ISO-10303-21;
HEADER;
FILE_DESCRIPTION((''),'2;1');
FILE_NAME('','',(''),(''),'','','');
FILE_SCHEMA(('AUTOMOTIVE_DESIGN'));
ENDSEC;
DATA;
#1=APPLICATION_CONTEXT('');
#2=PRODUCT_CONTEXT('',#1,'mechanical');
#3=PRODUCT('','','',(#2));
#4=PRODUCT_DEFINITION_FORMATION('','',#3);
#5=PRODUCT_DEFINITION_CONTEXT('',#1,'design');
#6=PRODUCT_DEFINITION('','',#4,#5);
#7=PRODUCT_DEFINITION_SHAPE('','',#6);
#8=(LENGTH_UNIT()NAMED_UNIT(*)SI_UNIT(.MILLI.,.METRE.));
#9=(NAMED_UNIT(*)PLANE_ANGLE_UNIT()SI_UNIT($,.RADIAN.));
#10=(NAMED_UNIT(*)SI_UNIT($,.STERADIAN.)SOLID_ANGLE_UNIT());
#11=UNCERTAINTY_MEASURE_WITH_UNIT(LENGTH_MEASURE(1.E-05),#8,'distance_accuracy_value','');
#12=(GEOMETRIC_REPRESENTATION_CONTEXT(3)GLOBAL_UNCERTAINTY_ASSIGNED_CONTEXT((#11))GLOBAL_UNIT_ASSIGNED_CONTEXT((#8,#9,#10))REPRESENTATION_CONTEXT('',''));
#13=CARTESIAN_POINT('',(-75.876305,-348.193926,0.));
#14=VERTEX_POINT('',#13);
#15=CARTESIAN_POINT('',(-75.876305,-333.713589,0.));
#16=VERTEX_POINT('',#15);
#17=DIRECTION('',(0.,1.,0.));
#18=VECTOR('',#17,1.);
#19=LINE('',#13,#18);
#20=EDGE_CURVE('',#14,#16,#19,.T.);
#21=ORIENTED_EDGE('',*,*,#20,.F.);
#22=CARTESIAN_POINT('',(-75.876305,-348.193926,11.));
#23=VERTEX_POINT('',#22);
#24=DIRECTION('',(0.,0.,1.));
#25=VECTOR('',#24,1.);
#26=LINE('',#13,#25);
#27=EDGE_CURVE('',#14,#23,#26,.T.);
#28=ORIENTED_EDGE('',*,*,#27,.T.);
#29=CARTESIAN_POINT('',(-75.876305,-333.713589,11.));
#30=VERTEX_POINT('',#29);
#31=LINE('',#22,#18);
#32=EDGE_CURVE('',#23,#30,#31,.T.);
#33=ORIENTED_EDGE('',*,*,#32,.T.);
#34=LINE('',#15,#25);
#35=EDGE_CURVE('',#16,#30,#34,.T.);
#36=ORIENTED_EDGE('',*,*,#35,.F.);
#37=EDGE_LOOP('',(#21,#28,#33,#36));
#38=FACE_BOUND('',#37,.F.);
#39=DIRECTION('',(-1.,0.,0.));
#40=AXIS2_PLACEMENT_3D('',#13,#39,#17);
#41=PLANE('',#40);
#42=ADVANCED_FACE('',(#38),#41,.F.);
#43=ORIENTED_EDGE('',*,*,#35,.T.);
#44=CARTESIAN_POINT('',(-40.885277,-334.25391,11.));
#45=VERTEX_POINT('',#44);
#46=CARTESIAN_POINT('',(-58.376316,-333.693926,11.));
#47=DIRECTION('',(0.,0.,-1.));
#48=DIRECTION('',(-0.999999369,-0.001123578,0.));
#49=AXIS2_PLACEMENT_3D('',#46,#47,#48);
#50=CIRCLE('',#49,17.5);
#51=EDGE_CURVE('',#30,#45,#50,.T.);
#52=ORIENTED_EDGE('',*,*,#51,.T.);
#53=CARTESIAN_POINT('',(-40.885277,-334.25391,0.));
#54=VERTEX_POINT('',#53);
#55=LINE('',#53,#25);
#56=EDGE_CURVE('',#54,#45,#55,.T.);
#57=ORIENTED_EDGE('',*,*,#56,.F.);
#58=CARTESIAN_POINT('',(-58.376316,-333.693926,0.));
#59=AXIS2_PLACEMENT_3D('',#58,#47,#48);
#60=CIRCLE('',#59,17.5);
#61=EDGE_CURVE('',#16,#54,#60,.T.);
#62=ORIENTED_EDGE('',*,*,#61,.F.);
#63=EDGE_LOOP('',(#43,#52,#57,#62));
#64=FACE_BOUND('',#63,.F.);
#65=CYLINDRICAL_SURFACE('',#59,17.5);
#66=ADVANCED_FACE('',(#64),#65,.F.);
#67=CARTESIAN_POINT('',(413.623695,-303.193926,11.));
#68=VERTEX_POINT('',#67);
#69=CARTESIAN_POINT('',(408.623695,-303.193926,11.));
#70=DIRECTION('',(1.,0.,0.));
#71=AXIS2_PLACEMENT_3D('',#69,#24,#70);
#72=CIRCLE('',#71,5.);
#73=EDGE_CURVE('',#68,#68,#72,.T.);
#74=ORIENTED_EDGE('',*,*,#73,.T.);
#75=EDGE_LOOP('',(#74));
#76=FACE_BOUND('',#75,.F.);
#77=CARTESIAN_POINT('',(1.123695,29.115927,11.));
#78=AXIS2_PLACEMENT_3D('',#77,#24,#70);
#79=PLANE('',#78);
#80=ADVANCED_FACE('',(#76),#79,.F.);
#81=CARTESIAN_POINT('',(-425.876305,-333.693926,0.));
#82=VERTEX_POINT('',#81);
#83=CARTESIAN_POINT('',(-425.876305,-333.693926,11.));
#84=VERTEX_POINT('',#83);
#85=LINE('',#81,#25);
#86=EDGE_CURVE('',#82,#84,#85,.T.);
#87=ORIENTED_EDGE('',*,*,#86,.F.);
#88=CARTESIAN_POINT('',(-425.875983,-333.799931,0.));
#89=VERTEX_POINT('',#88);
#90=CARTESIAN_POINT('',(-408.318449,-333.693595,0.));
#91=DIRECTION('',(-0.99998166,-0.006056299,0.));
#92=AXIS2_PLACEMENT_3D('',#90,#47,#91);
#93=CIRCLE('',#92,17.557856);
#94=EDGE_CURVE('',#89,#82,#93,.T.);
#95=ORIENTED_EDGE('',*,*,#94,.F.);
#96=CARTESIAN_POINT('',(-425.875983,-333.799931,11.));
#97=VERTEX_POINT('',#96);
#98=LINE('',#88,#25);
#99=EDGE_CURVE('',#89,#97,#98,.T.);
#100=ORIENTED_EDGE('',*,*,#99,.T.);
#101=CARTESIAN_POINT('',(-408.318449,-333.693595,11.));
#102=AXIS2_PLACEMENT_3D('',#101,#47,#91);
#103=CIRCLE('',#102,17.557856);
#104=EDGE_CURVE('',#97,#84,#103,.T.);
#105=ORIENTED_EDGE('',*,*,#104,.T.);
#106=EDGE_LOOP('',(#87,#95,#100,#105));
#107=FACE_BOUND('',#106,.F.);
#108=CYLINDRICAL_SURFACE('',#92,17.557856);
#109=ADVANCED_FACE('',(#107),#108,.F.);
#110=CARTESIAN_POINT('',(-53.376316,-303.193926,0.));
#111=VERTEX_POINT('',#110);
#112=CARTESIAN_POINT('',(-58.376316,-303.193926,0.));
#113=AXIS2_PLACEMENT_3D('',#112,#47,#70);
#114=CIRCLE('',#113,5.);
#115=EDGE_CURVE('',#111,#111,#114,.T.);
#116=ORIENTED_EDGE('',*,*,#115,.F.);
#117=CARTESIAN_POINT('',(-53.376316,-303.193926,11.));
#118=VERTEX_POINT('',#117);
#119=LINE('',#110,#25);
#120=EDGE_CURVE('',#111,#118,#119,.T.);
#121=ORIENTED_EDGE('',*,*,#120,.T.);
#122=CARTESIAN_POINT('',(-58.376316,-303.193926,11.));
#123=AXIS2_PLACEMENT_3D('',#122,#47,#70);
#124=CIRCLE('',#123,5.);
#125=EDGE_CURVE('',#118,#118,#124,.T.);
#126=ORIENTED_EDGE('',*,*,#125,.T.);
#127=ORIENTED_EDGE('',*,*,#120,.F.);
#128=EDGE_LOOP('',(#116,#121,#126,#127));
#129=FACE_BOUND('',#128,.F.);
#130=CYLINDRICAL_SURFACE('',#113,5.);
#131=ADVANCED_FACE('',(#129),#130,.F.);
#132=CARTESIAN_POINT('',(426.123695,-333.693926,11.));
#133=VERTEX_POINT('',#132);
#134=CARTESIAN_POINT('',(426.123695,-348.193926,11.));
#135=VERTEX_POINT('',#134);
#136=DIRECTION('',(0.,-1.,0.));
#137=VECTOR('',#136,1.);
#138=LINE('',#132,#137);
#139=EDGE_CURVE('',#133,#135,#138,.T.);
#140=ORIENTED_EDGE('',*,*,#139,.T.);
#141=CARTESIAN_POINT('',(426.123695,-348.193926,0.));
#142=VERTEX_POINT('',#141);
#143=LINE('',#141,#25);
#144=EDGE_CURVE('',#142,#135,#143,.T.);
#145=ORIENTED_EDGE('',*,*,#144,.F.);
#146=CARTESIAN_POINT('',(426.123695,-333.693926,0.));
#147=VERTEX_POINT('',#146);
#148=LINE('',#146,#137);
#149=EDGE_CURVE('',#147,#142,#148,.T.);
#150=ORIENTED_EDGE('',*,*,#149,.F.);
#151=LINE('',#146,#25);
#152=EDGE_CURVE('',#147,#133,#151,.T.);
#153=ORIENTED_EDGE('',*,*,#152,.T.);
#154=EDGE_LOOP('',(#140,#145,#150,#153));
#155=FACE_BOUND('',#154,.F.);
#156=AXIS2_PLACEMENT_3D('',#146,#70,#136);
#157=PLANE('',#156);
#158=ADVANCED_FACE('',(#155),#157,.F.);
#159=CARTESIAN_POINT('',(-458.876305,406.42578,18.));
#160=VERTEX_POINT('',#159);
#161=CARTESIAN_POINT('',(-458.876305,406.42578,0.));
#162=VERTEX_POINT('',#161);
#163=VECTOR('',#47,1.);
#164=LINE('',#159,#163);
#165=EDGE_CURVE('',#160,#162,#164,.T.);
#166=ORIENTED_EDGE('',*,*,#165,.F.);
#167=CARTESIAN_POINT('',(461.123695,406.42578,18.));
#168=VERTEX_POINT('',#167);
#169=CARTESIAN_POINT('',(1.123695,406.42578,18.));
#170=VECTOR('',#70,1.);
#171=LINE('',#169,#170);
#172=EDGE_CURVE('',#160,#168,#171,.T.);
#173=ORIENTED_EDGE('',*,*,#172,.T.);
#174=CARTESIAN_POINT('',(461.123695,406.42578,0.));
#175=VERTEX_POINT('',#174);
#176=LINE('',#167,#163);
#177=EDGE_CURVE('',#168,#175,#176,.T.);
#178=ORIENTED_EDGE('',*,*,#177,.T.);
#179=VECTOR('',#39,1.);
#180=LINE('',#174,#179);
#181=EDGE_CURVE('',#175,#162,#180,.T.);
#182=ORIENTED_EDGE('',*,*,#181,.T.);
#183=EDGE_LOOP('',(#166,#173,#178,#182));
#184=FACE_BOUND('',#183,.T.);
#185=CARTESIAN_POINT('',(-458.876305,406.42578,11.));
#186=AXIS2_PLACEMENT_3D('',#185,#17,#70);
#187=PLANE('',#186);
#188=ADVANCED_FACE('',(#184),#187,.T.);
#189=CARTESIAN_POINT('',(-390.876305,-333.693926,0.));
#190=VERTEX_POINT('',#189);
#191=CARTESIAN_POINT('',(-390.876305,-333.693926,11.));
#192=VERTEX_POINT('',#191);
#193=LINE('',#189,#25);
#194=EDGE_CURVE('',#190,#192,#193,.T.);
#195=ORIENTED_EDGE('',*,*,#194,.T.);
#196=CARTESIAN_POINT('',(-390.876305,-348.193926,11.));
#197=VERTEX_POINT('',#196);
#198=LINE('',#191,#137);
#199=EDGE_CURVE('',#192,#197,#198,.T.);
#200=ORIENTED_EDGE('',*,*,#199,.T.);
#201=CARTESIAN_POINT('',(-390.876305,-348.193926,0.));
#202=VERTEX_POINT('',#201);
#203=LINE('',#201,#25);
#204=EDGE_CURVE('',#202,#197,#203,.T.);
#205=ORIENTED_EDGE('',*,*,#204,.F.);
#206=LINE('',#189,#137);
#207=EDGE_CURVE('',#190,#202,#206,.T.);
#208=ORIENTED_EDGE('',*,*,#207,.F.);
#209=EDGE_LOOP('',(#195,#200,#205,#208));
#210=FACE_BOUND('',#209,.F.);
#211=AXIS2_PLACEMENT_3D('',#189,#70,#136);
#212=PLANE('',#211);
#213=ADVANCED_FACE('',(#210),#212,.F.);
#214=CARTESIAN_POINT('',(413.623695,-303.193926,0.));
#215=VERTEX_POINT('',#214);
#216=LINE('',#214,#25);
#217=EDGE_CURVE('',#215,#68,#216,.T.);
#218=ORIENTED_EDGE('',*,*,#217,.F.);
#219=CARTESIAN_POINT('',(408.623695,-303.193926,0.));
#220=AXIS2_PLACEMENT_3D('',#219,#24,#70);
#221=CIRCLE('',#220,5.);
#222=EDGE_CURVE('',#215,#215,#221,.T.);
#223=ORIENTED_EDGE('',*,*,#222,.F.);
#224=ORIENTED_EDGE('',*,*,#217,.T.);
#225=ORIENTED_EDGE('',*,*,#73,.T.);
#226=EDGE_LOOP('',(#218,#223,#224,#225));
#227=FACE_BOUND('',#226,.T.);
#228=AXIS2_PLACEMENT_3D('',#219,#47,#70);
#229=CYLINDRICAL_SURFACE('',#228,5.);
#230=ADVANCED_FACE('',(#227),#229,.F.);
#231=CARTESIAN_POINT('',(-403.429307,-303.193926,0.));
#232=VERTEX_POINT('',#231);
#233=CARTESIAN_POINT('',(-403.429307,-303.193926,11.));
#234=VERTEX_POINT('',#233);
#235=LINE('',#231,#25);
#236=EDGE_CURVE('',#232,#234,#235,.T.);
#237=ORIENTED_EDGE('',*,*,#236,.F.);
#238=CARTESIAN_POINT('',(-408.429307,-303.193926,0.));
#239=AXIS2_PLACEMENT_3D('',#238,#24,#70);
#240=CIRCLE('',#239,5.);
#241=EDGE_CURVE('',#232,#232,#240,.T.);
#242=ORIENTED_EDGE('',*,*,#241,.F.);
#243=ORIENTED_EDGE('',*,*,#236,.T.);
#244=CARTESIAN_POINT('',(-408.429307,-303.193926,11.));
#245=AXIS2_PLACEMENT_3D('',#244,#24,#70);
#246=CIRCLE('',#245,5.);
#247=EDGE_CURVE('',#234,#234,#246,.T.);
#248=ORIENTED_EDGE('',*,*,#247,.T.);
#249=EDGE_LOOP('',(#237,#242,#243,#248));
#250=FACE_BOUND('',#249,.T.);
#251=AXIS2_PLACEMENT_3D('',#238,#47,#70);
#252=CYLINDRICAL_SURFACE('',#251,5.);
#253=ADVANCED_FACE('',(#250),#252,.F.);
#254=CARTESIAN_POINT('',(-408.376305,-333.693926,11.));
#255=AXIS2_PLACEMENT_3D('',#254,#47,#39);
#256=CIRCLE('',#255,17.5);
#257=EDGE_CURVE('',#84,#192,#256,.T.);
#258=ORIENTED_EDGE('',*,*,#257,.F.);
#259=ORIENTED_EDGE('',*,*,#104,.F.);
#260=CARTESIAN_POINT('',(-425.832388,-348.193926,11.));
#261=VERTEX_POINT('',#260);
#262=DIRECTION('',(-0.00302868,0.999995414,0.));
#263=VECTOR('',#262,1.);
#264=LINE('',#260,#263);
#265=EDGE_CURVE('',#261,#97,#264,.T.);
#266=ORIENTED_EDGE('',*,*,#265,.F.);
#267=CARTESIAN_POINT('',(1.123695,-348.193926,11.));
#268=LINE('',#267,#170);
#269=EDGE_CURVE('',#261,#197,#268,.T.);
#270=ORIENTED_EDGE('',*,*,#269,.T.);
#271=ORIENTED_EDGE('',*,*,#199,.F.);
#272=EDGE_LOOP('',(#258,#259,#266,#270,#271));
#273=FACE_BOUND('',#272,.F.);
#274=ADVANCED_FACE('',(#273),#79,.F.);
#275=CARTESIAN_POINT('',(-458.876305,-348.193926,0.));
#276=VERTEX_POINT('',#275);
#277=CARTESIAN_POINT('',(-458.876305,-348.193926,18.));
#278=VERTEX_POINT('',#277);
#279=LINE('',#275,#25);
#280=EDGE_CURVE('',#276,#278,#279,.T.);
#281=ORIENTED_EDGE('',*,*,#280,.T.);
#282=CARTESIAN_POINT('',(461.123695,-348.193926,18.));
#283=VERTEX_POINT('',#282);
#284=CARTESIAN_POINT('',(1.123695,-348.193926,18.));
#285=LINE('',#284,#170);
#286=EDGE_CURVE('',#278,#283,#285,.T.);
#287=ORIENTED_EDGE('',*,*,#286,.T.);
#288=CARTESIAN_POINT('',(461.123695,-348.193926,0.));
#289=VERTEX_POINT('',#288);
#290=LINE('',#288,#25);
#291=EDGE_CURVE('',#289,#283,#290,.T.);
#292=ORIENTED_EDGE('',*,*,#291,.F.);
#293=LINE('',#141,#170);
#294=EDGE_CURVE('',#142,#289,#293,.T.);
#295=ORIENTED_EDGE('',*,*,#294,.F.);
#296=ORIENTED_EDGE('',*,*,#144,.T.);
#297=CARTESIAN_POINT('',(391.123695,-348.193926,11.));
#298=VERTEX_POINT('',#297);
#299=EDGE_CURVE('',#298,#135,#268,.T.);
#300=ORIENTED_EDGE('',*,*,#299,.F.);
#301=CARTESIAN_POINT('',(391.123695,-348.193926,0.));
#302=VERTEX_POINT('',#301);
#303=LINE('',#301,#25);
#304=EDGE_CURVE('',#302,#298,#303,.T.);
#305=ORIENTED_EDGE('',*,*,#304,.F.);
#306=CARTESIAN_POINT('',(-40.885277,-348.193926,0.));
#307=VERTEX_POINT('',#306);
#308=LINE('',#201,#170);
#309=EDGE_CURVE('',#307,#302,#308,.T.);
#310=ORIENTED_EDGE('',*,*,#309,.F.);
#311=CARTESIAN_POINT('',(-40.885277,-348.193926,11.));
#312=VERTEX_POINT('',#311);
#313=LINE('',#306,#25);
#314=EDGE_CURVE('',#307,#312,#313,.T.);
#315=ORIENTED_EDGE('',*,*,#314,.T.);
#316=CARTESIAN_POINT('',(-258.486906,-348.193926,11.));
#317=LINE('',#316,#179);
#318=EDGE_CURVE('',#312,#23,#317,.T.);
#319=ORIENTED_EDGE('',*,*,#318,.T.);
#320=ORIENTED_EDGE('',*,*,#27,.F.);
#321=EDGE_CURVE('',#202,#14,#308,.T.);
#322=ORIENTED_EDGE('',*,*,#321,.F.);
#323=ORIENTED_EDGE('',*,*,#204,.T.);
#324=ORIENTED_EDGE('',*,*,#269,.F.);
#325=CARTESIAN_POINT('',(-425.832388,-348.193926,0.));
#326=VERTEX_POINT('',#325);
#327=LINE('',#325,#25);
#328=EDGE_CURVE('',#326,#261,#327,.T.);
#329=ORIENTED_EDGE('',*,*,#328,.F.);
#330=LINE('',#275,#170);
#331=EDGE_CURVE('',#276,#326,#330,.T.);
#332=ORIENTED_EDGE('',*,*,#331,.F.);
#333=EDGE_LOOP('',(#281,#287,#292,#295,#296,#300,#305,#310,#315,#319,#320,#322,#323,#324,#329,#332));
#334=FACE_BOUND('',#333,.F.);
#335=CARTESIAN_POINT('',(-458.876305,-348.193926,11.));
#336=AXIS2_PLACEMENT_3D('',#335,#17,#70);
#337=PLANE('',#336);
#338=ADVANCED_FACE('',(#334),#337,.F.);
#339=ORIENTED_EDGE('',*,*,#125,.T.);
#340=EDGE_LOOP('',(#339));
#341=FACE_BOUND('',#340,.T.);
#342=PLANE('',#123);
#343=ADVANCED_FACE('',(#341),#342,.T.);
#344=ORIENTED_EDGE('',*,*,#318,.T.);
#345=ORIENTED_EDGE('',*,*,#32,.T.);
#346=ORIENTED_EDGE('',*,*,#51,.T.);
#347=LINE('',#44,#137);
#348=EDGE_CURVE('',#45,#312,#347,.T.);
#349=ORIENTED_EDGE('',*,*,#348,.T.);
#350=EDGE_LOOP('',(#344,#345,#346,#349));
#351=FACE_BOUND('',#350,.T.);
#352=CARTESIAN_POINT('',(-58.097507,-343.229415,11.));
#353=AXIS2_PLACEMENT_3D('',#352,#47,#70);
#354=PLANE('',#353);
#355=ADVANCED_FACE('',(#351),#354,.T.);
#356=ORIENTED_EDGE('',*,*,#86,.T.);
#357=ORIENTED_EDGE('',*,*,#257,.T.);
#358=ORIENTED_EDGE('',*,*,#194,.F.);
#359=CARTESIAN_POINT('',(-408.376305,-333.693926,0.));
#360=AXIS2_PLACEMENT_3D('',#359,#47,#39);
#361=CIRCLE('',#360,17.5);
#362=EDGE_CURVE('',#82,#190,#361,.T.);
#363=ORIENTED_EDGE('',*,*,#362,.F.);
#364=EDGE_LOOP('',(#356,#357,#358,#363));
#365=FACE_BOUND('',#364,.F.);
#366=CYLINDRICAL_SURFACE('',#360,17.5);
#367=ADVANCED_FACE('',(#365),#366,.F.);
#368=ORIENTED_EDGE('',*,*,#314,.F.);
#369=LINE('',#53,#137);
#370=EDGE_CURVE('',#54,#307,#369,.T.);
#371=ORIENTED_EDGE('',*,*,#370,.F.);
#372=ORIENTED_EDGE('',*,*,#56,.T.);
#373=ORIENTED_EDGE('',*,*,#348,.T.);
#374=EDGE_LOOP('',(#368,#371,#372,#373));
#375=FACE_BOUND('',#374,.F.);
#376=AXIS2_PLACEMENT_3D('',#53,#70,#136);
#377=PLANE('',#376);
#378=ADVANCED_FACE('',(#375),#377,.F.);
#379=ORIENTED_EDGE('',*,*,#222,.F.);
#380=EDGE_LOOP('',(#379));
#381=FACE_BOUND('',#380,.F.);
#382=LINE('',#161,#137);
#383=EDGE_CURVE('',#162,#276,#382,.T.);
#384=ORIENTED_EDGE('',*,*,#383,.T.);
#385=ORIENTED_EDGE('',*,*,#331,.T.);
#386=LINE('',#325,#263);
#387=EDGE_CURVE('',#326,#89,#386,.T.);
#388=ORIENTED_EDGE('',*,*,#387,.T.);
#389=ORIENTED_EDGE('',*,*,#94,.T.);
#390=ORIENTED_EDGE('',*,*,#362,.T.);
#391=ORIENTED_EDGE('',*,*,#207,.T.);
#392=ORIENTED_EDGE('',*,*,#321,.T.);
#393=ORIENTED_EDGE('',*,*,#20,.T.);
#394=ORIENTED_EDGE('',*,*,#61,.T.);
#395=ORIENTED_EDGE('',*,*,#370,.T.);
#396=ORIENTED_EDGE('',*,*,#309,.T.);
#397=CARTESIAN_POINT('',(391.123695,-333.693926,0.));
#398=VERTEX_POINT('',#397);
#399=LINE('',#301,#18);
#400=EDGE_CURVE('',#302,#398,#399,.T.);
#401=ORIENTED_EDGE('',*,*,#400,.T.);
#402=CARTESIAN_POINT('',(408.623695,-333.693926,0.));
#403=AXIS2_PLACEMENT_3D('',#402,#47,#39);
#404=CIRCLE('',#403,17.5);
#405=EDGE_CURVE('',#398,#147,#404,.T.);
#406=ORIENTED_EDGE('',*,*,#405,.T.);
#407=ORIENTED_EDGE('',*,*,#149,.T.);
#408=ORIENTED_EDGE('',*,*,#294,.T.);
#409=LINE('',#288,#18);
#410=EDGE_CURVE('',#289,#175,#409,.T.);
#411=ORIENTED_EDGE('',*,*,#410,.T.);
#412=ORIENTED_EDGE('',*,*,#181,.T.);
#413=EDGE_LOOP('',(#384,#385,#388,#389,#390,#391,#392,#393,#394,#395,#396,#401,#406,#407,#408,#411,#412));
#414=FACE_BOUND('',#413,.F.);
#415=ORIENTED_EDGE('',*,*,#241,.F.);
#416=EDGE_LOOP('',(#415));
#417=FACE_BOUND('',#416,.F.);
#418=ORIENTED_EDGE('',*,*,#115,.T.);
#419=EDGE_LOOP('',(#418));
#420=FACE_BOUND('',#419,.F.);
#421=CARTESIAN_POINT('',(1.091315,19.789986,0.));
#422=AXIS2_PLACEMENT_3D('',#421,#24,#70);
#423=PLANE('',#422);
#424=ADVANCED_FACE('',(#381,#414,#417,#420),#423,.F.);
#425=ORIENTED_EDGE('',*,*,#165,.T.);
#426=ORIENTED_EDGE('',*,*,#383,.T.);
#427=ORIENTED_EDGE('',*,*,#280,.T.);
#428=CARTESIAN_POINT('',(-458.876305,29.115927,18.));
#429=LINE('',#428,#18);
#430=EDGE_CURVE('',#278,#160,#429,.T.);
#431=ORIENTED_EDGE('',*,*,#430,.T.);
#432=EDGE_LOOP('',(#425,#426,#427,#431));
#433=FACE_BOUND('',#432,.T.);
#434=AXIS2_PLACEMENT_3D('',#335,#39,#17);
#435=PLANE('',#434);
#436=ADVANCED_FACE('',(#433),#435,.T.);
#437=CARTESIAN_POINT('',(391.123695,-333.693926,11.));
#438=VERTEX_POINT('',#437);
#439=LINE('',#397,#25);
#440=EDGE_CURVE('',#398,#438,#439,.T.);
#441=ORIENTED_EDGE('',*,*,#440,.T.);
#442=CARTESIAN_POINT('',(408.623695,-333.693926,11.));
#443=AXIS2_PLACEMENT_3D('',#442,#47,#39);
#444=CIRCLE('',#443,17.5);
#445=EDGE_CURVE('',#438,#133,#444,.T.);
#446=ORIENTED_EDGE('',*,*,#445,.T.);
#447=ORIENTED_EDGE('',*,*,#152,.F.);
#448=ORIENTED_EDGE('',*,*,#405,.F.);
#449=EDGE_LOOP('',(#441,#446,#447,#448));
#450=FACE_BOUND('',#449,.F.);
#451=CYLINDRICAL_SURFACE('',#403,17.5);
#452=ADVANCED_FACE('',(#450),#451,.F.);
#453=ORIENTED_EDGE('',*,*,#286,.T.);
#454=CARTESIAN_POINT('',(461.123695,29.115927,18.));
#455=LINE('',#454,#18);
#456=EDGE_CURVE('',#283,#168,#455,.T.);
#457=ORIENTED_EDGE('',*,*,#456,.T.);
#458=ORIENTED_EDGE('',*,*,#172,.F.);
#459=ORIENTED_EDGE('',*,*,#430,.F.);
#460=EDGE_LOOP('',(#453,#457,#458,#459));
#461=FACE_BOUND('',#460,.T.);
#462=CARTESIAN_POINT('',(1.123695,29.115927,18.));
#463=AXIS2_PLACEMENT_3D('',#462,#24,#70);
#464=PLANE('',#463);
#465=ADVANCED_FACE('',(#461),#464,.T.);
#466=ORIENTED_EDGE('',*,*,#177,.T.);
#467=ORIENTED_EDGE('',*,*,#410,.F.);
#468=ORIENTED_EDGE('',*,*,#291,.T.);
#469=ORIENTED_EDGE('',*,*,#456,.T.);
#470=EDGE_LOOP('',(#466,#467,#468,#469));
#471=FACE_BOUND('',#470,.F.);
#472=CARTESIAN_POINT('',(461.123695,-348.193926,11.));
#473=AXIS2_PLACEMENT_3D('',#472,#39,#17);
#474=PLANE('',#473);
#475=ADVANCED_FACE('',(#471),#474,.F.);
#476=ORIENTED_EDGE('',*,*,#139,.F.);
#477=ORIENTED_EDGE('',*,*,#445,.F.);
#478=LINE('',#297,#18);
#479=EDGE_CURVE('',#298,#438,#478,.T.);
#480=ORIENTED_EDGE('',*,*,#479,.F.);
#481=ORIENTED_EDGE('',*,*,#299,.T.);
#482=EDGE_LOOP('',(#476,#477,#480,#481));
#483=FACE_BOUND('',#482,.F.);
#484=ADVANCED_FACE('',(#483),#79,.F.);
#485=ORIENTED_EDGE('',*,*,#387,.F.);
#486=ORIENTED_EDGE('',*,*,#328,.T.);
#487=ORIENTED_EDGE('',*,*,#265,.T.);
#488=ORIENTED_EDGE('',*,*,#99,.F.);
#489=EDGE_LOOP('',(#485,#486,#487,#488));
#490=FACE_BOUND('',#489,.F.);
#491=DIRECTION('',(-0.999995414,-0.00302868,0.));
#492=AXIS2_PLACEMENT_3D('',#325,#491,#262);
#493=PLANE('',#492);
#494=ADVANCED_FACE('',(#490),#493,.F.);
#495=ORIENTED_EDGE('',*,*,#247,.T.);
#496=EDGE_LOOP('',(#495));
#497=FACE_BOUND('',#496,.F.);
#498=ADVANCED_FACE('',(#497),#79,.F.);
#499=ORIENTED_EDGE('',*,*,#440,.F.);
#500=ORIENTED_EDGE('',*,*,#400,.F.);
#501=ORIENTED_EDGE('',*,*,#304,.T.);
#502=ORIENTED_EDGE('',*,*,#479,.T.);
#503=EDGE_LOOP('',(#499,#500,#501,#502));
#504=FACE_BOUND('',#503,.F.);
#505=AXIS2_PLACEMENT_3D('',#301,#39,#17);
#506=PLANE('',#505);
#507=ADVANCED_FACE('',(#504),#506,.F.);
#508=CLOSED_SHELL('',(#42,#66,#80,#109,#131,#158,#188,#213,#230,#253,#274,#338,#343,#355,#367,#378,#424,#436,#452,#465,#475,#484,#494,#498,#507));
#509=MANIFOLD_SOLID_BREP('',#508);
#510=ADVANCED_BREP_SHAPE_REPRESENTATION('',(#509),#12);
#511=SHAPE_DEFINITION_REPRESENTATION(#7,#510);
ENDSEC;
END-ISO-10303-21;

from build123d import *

# Parameters (mm, degrees)
F0_R     = 5
F1_DEPTH = 11
F2_W     = 920
F2_H     = 754.619706
F3_DEPTH = 7
F4_R     = 5
F5_DEPTH = 11


with BuildPart() as f1:
    # F0 (on Top) → F1 (new body)
    with BuildSketch(Plane.XY):
        with BuildLine():
            Line((461.123695, 406.42578), (-458.876305, 406.42578))
            Line((-458.876305, 406.42578), (-458.876305, -348.193926))
            Line((-458.876305, -348.193926), (-425.832388, -348.193926))
            Line((-425.832388, -348.193926), (-425.875983, -333.799931))
            ThreePointArc((-425.875983, -333.799931), (-425.876224, -333.746929), (-425.876305, -333.693926))
            ThreePointArc((-425.876305, -333.693926), (-408.376305, -316.193926), (-390.876305, -333.693926))
            Line((-390.876305, -333.693926), (-390.876305, -348.193926))
            Line((-390.876305, -348.193926), (391.123695, -348.193926))
            Line((391.123695, -348.193926), (391.123695, -333.693926))
            ThreePointArc((391.123695, -333.693926), (408.623695, -316.193926), (426.123695, -333.693926))
            Line((426.123695, -333.693926), (426.123695, -348.193926))
            Line((426.123695, -348.193926), (461.123695, -348.193926))
            Line((461.123695, -348.193926), (461.123695, 406.42578))
        make_face()
        with Locations((-408.429307, -303.193926)):
            Circle(F0_R, mode=Mode.SUBTRACT)
        with Locations((408.623695, -303.193926)):
            Circle(F0_R, mode=Mode.SUBTRACT)
    extrude(amount=F1_DEPTH)

    # F2 (on face) → F3 (join)
    with BuildSketch(Plane.XY.offset(11)):
        with Locations((1.123695, 29.115927)):
            Rectangle(F2_W, F2_H)
    extrude(amount=F3_DEPTH)

    # F4 (on face) → F5 (cut)
    with BuildSketch(Plane(origin=(0, 0, 0), x_dir=(1, 0, 0), z_dir=(0, 0, -1))):
        with BuildLine():
            Line((-75.876305, 348.193926), (-75.876305, 333.713589))
            ThreePointArc((-75.876305, 333.713589), (-58.106118, 316.196012), (-40.885277, 334.25391))
            Line((-40.885277, 334.25391), (-40.885277, 348.193926))
            Line((-40.885277, 348.193926), (-56.401658, 373.656452))
            Line((-56.401658, 373.656452), (-75.876305, 348.193926))
        make_face()
        with Locations((-58.376316, 303.193926)):
            Circle(F4_R)
    extrude(amount=-F5_DEPTH, mode=Mode.SUBTRACT)


solid = f1.part
